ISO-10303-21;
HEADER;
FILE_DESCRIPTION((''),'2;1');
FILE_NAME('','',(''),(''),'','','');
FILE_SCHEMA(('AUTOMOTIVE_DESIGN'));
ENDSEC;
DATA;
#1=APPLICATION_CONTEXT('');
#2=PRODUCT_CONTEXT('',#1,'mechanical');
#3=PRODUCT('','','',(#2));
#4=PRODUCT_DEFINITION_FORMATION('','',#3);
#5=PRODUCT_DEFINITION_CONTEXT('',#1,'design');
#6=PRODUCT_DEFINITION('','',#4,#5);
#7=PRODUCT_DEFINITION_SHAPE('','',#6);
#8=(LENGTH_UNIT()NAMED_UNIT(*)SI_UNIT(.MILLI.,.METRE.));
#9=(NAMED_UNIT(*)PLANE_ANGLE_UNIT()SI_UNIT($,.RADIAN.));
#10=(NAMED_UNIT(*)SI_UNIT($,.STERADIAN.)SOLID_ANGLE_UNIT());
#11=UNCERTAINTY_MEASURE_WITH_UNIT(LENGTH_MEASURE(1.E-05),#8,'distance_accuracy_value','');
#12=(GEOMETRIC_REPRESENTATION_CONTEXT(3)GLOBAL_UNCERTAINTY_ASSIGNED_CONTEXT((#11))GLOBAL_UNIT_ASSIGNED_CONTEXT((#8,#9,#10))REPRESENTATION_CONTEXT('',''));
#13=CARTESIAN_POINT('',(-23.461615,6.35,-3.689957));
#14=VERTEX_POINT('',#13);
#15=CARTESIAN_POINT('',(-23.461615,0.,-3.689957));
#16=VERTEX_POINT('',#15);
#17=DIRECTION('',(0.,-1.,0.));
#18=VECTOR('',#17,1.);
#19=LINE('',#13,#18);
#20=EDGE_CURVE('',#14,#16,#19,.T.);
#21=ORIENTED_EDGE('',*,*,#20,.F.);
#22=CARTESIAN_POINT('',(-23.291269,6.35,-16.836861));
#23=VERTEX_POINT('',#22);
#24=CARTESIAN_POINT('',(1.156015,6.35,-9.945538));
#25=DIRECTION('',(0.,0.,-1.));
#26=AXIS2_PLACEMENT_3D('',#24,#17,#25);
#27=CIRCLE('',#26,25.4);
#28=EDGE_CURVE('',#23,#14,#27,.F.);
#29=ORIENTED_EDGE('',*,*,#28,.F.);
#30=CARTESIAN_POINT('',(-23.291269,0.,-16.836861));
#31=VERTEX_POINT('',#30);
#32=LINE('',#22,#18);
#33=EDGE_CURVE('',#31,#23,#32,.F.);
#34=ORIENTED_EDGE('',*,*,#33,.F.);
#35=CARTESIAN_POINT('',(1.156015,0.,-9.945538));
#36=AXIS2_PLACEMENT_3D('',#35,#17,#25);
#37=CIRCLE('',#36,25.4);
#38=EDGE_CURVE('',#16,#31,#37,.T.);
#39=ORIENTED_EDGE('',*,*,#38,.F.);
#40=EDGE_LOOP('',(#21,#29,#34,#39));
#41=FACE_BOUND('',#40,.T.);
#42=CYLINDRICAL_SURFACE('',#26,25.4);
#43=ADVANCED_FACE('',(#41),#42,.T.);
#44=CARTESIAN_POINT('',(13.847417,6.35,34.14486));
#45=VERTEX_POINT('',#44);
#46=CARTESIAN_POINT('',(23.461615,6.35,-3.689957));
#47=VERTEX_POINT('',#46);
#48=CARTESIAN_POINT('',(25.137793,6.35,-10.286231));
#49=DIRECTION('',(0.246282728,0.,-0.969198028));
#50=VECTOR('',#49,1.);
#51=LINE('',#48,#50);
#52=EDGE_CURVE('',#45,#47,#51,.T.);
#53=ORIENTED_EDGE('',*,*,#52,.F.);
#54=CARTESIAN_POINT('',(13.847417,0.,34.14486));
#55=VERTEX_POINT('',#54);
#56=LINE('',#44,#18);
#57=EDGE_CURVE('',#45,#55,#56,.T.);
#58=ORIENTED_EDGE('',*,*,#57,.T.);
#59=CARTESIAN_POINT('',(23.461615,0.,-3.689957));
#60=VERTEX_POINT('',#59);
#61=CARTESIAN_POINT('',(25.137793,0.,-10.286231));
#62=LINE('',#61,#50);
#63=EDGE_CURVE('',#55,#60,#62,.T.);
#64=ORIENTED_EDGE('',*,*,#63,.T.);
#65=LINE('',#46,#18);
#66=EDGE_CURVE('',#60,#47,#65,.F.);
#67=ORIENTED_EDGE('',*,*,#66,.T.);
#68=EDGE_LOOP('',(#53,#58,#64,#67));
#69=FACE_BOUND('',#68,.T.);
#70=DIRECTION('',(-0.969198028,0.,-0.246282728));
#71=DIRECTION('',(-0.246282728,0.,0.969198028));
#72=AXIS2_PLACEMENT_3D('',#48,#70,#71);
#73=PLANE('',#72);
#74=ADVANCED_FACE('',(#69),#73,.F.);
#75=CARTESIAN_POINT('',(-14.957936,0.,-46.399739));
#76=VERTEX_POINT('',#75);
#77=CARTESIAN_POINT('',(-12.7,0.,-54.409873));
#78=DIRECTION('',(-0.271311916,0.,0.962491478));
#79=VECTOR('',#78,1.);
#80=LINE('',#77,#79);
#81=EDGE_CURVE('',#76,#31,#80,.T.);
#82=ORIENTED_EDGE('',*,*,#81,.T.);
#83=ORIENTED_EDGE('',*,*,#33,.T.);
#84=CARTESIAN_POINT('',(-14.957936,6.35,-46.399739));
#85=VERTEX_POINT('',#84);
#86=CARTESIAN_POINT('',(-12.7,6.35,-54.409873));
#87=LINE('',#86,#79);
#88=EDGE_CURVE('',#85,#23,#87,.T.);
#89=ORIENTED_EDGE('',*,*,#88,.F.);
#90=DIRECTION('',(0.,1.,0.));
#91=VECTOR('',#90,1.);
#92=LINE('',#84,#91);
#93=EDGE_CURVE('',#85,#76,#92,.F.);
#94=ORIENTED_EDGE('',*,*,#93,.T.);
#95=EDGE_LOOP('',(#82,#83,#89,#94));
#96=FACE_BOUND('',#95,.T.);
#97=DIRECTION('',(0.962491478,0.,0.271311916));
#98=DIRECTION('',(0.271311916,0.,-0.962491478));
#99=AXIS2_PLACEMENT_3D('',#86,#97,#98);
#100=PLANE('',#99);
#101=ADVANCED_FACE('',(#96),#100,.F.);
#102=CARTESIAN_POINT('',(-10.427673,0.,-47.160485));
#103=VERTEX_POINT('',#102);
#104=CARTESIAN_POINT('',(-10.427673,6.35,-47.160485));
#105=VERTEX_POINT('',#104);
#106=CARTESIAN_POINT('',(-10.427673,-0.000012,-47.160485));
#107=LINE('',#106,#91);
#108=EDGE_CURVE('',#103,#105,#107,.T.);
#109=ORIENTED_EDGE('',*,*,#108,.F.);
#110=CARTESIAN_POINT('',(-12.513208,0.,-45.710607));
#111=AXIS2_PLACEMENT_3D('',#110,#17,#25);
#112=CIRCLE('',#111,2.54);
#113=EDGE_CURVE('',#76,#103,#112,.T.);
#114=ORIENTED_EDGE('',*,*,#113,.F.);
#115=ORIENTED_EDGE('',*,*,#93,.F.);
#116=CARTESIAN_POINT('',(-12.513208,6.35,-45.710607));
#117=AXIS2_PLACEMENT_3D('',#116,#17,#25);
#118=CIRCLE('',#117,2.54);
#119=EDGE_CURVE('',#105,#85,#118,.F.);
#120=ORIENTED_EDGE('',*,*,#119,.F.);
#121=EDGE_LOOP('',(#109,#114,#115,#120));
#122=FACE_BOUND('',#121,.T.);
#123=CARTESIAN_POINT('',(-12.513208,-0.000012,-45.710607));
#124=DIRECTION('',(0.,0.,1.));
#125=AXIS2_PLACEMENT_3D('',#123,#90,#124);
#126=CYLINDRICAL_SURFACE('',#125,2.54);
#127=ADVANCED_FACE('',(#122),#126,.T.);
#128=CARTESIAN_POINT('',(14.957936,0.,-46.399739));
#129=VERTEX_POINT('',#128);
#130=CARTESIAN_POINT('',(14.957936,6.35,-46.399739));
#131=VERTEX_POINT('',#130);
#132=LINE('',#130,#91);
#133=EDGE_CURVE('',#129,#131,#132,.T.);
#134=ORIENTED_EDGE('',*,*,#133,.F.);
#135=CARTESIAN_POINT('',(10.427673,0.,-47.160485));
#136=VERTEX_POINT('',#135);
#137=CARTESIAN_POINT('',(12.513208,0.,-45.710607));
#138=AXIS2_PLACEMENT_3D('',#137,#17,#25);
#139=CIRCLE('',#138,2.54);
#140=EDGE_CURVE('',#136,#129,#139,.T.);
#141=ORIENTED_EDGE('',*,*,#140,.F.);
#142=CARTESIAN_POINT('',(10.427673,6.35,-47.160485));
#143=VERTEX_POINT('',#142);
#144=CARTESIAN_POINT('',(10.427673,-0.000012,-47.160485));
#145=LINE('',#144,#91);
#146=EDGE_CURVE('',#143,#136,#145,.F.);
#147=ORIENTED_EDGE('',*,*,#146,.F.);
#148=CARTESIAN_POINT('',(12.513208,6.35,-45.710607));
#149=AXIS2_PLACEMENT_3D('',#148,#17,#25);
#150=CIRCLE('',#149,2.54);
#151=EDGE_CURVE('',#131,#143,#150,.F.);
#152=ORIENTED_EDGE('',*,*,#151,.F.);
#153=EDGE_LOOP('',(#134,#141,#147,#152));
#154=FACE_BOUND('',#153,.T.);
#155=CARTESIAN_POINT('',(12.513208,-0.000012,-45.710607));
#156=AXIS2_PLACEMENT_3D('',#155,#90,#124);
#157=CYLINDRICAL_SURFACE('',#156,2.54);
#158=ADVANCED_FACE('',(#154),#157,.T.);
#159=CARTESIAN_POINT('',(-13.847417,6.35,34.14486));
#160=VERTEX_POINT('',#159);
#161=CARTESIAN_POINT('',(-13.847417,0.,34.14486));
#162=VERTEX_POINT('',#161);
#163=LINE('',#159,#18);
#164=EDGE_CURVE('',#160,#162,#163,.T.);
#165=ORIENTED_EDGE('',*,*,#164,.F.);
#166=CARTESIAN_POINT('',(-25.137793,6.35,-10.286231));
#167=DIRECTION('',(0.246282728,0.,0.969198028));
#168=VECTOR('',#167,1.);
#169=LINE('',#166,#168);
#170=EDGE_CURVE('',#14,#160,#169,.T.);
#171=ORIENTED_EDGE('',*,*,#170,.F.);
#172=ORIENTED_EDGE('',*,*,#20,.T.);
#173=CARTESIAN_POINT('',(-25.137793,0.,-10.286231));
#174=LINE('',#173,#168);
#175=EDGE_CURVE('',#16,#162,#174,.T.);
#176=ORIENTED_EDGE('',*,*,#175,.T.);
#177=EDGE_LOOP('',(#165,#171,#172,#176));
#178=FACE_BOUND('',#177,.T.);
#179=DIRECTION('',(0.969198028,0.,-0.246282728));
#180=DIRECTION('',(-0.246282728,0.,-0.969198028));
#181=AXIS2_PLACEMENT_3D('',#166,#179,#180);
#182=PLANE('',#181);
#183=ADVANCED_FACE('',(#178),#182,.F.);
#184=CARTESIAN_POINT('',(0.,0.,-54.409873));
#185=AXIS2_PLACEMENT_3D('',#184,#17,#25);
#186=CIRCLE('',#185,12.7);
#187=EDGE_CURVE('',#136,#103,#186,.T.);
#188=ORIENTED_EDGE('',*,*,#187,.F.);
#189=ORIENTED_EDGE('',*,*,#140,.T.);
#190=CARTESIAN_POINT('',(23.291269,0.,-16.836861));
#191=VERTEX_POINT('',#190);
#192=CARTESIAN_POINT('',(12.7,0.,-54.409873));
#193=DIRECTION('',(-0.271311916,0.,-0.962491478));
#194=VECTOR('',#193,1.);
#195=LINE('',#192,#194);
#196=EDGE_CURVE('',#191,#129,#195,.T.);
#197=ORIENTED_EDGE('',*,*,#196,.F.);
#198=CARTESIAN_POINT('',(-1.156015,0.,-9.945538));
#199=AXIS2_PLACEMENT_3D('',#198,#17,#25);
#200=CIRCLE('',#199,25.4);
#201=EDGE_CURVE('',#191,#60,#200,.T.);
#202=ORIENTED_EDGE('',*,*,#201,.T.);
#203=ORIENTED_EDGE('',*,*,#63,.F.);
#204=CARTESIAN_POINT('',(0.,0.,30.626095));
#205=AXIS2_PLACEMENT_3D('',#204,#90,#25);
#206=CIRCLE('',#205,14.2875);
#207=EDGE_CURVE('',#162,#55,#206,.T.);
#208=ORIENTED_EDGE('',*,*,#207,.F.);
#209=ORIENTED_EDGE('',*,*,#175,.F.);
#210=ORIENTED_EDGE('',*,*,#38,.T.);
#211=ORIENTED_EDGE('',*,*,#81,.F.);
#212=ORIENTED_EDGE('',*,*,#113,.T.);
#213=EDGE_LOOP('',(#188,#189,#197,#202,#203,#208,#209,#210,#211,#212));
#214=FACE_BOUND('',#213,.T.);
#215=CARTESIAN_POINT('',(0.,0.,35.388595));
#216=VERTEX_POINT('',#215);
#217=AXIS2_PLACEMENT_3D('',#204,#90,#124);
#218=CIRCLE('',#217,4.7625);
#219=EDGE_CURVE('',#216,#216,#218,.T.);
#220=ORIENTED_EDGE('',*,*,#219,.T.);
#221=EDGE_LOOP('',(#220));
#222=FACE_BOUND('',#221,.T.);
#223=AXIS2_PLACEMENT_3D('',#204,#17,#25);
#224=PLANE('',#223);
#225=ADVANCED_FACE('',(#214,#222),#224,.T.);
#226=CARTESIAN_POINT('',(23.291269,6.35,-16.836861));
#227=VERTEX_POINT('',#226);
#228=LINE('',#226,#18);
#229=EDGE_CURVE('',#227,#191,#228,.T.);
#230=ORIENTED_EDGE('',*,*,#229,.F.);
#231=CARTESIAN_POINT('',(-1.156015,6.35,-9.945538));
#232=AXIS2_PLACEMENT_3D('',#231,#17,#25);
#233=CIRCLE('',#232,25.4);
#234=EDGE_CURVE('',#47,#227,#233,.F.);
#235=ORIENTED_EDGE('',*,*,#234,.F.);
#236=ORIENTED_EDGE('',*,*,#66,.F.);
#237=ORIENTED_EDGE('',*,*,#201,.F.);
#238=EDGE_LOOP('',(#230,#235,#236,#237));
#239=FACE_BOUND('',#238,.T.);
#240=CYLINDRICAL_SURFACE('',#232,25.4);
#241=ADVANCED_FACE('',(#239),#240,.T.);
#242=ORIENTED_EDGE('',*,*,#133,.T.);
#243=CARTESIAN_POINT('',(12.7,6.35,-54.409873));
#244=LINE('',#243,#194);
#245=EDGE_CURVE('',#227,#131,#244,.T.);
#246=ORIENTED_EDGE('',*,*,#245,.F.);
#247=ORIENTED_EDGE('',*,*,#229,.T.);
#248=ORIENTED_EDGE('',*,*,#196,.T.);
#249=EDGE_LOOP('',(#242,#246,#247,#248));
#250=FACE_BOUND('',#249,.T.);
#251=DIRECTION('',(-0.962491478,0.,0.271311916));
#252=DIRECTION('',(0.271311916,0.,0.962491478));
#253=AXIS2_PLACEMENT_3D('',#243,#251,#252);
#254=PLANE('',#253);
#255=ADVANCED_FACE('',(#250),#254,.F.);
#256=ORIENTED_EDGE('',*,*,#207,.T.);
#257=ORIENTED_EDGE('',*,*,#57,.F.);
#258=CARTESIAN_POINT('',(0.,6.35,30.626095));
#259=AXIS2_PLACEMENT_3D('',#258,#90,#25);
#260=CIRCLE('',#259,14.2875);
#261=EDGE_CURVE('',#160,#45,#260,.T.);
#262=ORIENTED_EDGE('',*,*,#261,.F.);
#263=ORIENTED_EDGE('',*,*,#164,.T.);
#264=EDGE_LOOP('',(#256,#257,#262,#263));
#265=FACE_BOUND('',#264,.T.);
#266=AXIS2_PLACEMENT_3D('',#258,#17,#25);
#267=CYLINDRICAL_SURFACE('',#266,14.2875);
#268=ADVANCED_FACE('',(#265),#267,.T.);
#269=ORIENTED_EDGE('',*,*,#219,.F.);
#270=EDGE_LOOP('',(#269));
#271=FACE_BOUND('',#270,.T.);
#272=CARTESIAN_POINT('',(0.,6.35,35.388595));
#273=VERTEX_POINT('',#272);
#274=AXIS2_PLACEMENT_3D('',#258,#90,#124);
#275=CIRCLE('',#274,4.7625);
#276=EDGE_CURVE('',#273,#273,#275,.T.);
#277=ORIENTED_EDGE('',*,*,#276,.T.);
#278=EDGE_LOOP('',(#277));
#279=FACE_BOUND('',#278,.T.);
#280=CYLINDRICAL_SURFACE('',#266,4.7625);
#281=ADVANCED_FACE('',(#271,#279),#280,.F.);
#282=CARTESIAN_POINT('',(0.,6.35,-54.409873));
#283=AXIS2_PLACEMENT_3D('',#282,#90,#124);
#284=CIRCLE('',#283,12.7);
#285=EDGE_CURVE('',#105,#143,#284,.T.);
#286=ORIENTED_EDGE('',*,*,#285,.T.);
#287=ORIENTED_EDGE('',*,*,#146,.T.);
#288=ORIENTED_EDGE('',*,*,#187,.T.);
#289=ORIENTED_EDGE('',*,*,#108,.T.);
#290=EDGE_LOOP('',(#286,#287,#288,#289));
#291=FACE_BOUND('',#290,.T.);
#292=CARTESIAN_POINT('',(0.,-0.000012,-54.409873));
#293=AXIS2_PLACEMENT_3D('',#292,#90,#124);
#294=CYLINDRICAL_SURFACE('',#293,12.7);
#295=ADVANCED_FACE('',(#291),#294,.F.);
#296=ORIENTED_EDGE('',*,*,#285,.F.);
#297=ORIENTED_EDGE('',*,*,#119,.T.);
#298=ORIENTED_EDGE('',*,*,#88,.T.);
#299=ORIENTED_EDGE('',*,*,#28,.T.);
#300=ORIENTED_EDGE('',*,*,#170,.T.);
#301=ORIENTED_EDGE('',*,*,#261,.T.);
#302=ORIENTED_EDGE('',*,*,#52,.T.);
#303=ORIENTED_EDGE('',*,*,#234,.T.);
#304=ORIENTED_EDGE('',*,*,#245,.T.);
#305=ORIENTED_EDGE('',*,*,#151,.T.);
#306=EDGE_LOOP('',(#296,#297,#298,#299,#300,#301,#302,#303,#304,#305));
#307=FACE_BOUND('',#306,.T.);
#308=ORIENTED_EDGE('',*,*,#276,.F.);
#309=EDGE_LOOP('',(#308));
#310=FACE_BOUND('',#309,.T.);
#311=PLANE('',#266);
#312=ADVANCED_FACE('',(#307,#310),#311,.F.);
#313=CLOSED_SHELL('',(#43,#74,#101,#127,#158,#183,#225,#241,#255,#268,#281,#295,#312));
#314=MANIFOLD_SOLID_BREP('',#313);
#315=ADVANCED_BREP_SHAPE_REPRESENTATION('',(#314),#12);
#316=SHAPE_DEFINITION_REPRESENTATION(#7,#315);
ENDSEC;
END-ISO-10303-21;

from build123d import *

# Parameters (mm, degrees)
SKETCH13_R              = 4.7625
BOSS_EXTRUDE1_DEPTH     = 6.35
SKETCH14_R              = 12.7
CUT_EXTRUDE1_DEPTH      = 7.35
CUT_EXTRUDE1_DEPTH_BACK = 1
FILLET1_R               = 2.54
FILLET2_R               = 25.4


with BuildPart() as part:
    # Sketch13 → Boss-Extrude1 (new body)
    with BuildSketch(Plane(origin=(0, 0, 0), x_dir=(1, 0, 0), z_dir=(0, 1, 0))):
        with BuildLine():
            Line((12.7, 54.409872551), (25.137792916, 10.286231112))
            Line((25.137792916, 10.286231112), (13.84741683, -34.144859739))
            ThreePointArc((13.84741683, -34.144859739), (0, -44.913595269), (-13.84741683, -34.144859739))
            Line((-13.84741683, -34.144859739), (-25.137792916, 10.286231112))
            Line((-25.137792916, 10.286231112), (-12.7, 54.409872551))
            Line((-12.7, 54.409872551), (12.7, 54.409872551))
        make_face()
        with Locations((0, -30.626095269)):
            Circle(SKETCH13_R, mode=Mode.SUBTRACT)
    extrude(amount=BOSS_EXTRUDE1_DEPTH)

    # Sketch14 → Cut-Extrude1 (cut, two sides)
    with BuildSketch(Plane(origin=(0, 0, 0), x_dir=(1, 0, 0), z_dir=(0, 1, 0))) as cut_extrude1_sk:
        with Locations((0, 54.409872551)):
            Circle(SKETCH14_R)
    extrude(amount=CUT_EXTRUDE1_DEPTH, mode=Mode.SUBTRACT)
    extrude(cut_extrude1_sk.sketch, amount=-CUT_EXTRUDE1_DEPTH_BACK, mode=Mode.SUBTRACT)

    # Fillet1
    fillet1_edges = [part.edges().sort_by_distance(p)[0] for p in [
        (12.7, 3.175, -54.409872551),
        (-12.7, 3.175, -54.409872551),
    ]]
    fillet(fillet1_edges, radius=FILLET1_R)

    # Fillet2
    fillet2_edges = [part.edges().sort_by_distance(p)[0] for p in [
        (25.137792916, 3.175, -10.286231112),
        (-25.137792916, 3.175, -10.286231112),
    ]]
    fillet(fillet2_edges, radius=FILLET2_R)


solid = part.part
